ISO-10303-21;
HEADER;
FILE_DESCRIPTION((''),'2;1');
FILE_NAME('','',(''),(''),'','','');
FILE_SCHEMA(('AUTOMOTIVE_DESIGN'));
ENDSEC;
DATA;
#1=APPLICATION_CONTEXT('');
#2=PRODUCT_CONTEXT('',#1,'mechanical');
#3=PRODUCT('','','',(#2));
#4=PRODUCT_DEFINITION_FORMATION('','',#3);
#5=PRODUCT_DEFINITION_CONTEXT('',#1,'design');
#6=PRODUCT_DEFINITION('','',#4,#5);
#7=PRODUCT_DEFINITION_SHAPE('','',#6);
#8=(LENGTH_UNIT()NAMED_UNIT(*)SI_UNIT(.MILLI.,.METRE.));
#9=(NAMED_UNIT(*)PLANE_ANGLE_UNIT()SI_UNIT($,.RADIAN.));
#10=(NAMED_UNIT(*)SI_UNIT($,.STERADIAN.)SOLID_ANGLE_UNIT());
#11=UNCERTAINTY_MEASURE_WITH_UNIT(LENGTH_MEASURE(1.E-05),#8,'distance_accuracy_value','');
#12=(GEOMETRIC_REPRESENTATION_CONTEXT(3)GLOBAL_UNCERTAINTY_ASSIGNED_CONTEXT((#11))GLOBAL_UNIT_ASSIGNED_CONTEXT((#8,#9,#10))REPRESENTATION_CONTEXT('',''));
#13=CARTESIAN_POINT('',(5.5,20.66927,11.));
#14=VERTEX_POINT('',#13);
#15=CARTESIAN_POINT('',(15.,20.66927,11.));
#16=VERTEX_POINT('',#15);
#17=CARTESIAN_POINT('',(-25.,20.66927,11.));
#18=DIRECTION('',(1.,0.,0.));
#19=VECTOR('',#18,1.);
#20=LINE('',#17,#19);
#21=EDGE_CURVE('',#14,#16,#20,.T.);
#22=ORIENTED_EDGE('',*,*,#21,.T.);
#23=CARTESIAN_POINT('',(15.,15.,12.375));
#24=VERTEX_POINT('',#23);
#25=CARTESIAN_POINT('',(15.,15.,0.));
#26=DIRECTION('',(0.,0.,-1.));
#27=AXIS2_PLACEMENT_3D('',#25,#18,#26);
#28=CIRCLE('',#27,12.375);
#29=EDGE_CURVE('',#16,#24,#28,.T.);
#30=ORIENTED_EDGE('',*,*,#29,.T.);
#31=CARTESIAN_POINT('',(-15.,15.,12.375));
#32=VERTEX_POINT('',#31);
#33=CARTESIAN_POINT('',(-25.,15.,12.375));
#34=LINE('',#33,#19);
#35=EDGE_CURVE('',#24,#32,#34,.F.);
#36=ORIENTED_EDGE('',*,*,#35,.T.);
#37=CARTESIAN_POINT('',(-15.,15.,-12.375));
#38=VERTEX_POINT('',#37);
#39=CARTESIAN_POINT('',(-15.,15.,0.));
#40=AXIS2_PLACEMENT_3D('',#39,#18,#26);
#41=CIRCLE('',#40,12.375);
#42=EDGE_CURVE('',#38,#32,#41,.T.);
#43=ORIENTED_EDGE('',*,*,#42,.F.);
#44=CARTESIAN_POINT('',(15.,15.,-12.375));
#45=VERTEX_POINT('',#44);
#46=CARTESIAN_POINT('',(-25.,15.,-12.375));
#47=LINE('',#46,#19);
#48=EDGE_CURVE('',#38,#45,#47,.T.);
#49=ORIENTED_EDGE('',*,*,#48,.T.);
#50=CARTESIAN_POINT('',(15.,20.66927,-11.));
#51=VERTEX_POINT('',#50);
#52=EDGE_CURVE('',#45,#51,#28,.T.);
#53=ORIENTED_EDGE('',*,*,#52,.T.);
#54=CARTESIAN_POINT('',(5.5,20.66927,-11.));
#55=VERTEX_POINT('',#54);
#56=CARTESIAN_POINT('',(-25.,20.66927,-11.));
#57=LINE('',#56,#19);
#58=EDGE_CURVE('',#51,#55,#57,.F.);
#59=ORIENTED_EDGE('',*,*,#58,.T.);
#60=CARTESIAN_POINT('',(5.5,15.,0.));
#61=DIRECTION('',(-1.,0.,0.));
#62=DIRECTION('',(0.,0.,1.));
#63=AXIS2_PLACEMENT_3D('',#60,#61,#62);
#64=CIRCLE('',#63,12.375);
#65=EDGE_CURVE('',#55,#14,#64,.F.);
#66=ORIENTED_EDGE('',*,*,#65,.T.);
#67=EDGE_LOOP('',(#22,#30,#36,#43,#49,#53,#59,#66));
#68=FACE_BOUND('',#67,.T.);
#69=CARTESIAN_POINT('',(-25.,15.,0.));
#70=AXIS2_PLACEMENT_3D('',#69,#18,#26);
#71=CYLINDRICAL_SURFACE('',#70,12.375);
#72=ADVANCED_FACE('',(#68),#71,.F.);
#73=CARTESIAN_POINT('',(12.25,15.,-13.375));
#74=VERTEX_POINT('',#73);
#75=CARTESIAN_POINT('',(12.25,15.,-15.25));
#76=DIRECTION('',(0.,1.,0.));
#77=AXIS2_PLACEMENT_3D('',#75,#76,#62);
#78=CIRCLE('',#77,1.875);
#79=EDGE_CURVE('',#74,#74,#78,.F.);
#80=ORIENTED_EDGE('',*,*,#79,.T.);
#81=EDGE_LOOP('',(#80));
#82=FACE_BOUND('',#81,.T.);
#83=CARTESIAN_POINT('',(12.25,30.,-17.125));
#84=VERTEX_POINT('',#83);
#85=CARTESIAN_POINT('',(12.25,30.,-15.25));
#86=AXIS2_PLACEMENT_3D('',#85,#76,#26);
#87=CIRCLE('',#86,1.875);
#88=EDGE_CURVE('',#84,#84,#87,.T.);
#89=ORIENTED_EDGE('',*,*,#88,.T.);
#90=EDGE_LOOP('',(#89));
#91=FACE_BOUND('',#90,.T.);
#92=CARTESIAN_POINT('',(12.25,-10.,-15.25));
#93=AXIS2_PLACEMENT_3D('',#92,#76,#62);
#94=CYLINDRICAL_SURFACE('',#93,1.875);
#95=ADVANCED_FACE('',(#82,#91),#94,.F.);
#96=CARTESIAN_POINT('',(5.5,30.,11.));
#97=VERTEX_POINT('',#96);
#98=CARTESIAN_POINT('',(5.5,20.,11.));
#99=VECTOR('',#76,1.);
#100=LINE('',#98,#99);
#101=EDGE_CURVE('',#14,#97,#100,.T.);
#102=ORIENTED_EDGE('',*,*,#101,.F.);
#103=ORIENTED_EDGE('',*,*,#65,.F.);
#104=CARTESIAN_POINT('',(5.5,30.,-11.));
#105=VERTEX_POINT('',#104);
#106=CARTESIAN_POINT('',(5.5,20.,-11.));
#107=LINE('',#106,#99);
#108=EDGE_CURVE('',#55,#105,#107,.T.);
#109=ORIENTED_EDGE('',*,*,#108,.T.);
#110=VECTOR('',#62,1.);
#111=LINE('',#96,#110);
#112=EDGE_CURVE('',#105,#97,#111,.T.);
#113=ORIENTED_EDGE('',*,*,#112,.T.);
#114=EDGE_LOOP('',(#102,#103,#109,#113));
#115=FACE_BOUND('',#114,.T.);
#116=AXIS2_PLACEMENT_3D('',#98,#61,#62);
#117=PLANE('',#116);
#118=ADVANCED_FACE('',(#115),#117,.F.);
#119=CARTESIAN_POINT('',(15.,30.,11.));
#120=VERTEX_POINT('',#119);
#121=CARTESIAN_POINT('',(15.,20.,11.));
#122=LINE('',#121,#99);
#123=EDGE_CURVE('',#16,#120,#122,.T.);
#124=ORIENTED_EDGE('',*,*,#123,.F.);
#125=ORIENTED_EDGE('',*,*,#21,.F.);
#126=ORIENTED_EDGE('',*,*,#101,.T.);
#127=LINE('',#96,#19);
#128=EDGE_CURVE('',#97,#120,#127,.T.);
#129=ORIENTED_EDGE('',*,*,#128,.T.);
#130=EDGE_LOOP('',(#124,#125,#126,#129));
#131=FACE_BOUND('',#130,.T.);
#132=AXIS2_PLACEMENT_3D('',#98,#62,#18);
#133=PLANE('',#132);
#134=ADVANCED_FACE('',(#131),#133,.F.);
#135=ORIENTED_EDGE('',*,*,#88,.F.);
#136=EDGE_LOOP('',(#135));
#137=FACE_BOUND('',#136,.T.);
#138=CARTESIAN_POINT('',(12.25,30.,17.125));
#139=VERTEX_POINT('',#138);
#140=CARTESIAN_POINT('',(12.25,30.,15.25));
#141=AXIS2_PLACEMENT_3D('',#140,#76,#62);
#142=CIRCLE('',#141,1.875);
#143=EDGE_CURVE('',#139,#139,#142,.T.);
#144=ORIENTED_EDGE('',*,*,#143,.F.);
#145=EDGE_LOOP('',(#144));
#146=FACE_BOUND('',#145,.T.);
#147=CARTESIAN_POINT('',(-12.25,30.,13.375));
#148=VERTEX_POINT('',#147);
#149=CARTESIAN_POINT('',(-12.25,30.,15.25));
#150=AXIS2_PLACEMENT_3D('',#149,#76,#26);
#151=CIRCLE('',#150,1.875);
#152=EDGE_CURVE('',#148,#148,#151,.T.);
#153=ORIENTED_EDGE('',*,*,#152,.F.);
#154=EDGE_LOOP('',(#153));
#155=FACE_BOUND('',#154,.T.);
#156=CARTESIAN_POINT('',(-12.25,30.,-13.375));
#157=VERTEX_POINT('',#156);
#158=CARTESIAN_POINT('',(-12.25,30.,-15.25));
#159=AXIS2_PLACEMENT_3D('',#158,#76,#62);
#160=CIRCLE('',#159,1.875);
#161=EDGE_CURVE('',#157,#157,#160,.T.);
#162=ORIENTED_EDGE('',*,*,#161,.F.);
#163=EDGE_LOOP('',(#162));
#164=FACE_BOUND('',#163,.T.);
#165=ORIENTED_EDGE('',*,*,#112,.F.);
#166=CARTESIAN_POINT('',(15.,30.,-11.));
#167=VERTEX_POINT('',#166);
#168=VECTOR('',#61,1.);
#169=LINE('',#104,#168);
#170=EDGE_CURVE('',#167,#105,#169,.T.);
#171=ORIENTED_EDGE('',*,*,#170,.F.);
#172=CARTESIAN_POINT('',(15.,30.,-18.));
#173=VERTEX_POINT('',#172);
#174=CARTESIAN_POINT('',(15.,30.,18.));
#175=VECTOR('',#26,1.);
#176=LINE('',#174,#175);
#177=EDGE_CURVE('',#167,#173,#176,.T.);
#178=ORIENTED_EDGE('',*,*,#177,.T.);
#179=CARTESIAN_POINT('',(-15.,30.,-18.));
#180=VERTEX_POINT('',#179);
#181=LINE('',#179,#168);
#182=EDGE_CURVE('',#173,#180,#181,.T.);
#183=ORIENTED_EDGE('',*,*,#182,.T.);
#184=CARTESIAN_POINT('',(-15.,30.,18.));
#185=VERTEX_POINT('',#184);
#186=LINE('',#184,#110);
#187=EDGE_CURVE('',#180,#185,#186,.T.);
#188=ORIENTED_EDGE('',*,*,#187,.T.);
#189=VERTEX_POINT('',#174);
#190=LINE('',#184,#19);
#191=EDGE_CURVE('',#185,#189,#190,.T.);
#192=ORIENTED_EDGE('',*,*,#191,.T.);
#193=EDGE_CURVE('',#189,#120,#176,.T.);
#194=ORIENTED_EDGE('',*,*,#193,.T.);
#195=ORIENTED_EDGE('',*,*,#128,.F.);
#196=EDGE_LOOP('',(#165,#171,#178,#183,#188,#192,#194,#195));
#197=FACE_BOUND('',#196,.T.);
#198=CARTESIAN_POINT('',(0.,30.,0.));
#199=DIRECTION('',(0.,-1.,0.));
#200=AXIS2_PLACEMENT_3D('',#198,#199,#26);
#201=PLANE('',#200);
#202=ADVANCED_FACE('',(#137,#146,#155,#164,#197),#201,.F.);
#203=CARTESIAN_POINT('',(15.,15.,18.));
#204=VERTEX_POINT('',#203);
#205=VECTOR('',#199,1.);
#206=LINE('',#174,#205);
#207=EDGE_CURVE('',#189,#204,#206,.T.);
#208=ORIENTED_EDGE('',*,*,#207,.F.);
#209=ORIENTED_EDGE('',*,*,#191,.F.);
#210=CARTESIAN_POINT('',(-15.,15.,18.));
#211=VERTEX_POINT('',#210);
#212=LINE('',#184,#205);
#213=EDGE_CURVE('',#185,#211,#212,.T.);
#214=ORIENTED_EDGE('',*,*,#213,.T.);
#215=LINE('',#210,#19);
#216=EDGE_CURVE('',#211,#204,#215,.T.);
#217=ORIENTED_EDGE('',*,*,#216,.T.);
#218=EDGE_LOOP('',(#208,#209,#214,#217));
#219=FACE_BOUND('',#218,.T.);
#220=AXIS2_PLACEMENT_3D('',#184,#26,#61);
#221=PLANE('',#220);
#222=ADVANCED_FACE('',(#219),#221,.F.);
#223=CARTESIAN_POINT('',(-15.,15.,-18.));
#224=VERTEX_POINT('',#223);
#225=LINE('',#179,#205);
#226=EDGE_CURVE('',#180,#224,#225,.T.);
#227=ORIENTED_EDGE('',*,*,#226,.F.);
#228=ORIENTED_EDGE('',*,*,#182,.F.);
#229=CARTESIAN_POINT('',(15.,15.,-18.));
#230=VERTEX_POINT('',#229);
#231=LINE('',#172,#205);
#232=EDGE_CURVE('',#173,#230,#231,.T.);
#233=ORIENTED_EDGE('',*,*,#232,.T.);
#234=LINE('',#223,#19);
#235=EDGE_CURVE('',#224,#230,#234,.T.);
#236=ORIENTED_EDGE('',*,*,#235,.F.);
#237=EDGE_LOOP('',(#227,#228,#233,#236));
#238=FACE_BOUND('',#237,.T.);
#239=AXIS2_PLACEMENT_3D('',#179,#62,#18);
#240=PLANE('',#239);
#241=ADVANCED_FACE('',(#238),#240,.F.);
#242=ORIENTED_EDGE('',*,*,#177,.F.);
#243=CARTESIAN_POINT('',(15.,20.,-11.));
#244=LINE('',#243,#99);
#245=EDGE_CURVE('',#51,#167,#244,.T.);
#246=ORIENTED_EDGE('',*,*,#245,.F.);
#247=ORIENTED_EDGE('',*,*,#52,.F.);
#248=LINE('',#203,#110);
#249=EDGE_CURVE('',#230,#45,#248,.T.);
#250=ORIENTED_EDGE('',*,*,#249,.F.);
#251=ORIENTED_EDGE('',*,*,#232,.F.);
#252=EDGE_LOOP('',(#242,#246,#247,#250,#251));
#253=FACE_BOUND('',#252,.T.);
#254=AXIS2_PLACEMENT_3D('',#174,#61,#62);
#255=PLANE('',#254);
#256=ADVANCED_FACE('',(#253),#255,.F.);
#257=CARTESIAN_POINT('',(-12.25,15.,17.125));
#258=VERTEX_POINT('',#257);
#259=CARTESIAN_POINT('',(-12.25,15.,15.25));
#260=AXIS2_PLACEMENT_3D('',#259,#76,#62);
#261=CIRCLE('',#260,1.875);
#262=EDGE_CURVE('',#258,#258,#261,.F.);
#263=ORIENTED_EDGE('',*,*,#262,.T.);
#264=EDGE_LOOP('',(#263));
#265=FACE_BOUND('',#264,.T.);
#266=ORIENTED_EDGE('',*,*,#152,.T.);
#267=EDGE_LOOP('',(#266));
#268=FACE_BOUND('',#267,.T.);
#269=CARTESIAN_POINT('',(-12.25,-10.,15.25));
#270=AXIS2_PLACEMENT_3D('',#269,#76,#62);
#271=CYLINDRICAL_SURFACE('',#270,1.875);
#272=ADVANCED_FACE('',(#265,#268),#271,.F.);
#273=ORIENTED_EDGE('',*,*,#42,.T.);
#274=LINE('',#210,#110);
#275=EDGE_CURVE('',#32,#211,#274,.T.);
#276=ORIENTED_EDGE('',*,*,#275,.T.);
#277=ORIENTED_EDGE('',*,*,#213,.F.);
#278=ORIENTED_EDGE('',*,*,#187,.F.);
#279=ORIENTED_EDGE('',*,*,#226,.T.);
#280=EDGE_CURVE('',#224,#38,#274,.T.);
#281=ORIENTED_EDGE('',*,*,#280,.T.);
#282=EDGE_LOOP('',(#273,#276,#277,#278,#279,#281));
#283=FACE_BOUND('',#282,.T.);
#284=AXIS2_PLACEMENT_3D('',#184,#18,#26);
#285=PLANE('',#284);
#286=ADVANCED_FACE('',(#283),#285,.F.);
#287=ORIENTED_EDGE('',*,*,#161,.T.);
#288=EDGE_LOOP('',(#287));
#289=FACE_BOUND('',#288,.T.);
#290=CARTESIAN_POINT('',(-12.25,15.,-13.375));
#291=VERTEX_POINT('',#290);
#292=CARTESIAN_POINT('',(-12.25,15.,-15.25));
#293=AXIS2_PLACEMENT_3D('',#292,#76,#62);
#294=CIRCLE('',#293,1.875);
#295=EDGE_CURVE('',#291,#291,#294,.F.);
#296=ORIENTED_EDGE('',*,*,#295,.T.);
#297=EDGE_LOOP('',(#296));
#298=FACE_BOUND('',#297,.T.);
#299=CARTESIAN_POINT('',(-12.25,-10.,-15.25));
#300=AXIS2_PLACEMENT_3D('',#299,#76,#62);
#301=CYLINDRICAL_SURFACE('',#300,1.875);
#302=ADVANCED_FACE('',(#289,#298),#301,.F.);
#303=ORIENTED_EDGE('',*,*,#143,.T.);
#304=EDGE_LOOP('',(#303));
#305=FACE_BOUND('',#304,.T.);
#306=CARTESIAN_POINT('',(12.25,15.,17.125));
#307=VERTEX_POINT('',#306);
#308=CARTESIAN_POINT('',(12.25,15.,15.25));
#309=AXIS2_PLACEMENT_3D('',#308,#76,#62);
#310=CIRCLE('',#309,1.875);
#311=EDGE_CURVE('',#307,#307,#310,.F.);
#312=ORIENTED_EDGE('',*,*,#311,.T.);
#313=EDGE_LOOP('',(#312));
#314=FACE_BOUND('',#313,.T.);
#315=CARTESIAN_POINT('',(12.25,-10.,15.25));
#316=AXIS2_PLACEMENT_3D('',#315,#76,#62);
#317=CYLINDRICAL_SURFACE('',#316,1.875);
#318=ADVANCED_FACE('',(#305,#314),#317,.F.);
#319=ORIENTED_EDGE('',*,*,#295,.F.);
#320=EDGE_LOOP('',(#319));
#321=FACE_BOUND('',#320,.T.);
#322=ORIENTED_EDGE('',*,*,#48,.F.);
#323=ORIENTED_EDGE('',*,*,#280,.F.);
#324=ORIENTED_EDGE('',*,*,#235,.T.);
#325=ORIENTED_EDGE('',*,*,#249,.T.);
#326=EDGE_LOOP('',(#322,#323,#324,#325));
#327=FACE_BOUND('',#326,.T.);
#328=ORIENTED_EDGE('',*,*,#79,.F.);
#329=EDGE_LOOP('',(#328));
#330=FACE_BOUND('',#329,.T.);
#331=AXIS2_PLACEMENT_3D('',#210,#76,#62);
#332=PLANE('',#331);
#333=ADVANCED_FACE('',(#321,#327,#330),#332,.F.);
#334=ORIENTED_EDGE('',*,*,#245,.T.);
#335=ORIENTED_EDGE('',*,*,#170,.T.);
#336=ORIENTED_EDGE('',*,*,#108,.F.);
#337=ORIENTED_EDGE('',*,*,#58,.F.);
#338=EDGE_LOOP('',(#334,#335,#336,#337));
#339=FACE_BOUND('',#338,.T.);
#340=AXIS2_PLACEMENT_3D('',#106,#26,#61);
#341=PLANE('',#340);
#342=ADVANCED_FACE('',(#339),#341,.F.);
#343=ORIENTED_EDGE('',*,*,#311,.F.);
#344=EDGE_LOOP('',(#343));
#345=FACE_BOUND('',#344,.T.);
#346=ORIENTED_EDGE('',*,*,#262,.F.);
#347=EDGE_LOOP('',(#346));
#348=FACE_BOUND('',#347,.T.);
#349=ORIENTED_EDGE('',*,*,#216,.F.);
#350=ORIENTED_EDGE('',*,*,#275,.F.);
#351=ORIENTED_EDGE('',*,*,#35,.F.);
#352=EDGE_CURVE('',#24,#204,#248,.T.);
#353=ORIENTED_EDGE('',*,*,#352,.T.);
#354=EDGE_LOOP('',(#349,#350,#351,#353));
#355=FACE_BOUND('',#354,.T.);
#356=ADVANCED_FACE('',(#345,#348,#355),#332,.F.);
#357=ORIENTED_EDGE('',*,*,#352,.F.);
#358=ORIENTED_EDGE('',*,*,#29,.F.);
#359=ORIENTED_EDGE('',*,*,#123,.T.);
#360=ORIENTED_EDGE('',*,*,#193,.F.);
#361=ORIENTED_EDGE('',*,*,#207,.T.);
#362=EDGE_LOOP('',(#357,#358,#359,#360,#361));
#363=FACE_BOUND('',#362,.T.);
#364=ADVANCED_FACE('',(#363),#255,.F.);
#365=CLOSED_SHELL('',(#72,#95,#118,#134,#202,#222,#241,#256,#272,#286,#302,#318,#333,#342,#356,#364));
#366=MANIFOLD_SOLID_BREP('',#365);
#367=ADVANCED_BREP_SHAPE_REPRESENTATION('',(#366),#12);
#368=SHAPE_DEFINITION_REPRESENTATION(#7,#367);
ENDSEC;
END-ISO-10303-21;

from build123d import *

# Parameters (mm, degrees)
SKETCH1_W           = 30
SKETCH1_H           = 36
BOSS_EXTRUDE1_DEPTH = 30
SKETCH3_R           = 12.375
CUT_EXTRUDE1_DEPTH  = 40
SKETCH5_R           = 1.875
CUT_EXTRUDE2_DEPTH  = 40
CUT_EXTRUDE3_START  = 15
SKETCH7_W           = 36
SKETCH7_H           = 15
CUT_EXTRUDE3_DEPTH  = 31
SKETCH8_W           = 9.5
SKETCH8_H           = 22
CUT_EXTRUDE4_DEPTH  = 10


with BuildPart() as part:
    # Sketch1 → Boss-Extrude1 (new body)
    with BuildSketch(Plane(origin=(0, 0, 0), x_dir=(1, 0, 0), z_dir=(0, 1, 0))):
        Rectangle(SKETCH1_W, SKETCH1_H)
    extrude(amount=BOSS_EXTRUDE1_DEPTH)

    # Sketch3 → Cut-Extrude1 (cut)
    with BuildSketch(Plane(origin=(15, 0, 0), x_dir=(0, 0, -1), z_dir=(1, 0, 0))):
        with Locations((0, 15)):
            Circle(SKETCH3_R)
    extrude(amount=-CUT_EXTRUDE1_DEPTH, mode=Mode.SUBTRACT)

    # Sketch5 → Cut-Extrude2 (cut)
    with BuildSketch(Plane(origin=(0, 30, 0), x_dir=(1, 0, 0), z_dir=(0, 1, 0))):
        with Locations((-12.25, 15.25)):
            Circle(SKETCH5_R)
        with Locations((-12.25, -15.25)):
            Circle(SKETCH5_R)
        with Locations((12.25, -15.25)):
            Circle(SKETCH5_R)
        with Locations((12.25, 15.25)):
            Circle(SKETCH5_R)
    extrude(amount=-CUT_EXTRUDE2_DEPTH, mode=Mode.SUBTRACT)

    # Sketch7 → Cut-Extrude3 (cut, through all)
    with BuildSketch(Plane(origin=(0, 0, 0), x_dir=(0, 0, -1), z_dir=(1, 0, 0)).offset(CUT_EXTRUDE3_START)):
        with Locations((0, 7.5)):
            Rectangle(SKETCH7_W, SKETCH7_H)
    extrude(amount=-CUT_EXTRUDE3_DEPTH, mode=Mode.SUBTRACT)

    # Sketch8 → Cut-Extrude4 (cut)
    with BuildSketch(Plane(origin=(0, 30, 0), x_dir=(1, 0, 0), z_dir=(0, 1, 0))):
        with Locations((10.25, 0)):
            Rectangle(SKETCH8_W, SKETCH8_H)
    extrude(amount=-CUT_EXTRUDE4_DEPTH, mode=Mode.SUBTRACT)


solid = part.part
